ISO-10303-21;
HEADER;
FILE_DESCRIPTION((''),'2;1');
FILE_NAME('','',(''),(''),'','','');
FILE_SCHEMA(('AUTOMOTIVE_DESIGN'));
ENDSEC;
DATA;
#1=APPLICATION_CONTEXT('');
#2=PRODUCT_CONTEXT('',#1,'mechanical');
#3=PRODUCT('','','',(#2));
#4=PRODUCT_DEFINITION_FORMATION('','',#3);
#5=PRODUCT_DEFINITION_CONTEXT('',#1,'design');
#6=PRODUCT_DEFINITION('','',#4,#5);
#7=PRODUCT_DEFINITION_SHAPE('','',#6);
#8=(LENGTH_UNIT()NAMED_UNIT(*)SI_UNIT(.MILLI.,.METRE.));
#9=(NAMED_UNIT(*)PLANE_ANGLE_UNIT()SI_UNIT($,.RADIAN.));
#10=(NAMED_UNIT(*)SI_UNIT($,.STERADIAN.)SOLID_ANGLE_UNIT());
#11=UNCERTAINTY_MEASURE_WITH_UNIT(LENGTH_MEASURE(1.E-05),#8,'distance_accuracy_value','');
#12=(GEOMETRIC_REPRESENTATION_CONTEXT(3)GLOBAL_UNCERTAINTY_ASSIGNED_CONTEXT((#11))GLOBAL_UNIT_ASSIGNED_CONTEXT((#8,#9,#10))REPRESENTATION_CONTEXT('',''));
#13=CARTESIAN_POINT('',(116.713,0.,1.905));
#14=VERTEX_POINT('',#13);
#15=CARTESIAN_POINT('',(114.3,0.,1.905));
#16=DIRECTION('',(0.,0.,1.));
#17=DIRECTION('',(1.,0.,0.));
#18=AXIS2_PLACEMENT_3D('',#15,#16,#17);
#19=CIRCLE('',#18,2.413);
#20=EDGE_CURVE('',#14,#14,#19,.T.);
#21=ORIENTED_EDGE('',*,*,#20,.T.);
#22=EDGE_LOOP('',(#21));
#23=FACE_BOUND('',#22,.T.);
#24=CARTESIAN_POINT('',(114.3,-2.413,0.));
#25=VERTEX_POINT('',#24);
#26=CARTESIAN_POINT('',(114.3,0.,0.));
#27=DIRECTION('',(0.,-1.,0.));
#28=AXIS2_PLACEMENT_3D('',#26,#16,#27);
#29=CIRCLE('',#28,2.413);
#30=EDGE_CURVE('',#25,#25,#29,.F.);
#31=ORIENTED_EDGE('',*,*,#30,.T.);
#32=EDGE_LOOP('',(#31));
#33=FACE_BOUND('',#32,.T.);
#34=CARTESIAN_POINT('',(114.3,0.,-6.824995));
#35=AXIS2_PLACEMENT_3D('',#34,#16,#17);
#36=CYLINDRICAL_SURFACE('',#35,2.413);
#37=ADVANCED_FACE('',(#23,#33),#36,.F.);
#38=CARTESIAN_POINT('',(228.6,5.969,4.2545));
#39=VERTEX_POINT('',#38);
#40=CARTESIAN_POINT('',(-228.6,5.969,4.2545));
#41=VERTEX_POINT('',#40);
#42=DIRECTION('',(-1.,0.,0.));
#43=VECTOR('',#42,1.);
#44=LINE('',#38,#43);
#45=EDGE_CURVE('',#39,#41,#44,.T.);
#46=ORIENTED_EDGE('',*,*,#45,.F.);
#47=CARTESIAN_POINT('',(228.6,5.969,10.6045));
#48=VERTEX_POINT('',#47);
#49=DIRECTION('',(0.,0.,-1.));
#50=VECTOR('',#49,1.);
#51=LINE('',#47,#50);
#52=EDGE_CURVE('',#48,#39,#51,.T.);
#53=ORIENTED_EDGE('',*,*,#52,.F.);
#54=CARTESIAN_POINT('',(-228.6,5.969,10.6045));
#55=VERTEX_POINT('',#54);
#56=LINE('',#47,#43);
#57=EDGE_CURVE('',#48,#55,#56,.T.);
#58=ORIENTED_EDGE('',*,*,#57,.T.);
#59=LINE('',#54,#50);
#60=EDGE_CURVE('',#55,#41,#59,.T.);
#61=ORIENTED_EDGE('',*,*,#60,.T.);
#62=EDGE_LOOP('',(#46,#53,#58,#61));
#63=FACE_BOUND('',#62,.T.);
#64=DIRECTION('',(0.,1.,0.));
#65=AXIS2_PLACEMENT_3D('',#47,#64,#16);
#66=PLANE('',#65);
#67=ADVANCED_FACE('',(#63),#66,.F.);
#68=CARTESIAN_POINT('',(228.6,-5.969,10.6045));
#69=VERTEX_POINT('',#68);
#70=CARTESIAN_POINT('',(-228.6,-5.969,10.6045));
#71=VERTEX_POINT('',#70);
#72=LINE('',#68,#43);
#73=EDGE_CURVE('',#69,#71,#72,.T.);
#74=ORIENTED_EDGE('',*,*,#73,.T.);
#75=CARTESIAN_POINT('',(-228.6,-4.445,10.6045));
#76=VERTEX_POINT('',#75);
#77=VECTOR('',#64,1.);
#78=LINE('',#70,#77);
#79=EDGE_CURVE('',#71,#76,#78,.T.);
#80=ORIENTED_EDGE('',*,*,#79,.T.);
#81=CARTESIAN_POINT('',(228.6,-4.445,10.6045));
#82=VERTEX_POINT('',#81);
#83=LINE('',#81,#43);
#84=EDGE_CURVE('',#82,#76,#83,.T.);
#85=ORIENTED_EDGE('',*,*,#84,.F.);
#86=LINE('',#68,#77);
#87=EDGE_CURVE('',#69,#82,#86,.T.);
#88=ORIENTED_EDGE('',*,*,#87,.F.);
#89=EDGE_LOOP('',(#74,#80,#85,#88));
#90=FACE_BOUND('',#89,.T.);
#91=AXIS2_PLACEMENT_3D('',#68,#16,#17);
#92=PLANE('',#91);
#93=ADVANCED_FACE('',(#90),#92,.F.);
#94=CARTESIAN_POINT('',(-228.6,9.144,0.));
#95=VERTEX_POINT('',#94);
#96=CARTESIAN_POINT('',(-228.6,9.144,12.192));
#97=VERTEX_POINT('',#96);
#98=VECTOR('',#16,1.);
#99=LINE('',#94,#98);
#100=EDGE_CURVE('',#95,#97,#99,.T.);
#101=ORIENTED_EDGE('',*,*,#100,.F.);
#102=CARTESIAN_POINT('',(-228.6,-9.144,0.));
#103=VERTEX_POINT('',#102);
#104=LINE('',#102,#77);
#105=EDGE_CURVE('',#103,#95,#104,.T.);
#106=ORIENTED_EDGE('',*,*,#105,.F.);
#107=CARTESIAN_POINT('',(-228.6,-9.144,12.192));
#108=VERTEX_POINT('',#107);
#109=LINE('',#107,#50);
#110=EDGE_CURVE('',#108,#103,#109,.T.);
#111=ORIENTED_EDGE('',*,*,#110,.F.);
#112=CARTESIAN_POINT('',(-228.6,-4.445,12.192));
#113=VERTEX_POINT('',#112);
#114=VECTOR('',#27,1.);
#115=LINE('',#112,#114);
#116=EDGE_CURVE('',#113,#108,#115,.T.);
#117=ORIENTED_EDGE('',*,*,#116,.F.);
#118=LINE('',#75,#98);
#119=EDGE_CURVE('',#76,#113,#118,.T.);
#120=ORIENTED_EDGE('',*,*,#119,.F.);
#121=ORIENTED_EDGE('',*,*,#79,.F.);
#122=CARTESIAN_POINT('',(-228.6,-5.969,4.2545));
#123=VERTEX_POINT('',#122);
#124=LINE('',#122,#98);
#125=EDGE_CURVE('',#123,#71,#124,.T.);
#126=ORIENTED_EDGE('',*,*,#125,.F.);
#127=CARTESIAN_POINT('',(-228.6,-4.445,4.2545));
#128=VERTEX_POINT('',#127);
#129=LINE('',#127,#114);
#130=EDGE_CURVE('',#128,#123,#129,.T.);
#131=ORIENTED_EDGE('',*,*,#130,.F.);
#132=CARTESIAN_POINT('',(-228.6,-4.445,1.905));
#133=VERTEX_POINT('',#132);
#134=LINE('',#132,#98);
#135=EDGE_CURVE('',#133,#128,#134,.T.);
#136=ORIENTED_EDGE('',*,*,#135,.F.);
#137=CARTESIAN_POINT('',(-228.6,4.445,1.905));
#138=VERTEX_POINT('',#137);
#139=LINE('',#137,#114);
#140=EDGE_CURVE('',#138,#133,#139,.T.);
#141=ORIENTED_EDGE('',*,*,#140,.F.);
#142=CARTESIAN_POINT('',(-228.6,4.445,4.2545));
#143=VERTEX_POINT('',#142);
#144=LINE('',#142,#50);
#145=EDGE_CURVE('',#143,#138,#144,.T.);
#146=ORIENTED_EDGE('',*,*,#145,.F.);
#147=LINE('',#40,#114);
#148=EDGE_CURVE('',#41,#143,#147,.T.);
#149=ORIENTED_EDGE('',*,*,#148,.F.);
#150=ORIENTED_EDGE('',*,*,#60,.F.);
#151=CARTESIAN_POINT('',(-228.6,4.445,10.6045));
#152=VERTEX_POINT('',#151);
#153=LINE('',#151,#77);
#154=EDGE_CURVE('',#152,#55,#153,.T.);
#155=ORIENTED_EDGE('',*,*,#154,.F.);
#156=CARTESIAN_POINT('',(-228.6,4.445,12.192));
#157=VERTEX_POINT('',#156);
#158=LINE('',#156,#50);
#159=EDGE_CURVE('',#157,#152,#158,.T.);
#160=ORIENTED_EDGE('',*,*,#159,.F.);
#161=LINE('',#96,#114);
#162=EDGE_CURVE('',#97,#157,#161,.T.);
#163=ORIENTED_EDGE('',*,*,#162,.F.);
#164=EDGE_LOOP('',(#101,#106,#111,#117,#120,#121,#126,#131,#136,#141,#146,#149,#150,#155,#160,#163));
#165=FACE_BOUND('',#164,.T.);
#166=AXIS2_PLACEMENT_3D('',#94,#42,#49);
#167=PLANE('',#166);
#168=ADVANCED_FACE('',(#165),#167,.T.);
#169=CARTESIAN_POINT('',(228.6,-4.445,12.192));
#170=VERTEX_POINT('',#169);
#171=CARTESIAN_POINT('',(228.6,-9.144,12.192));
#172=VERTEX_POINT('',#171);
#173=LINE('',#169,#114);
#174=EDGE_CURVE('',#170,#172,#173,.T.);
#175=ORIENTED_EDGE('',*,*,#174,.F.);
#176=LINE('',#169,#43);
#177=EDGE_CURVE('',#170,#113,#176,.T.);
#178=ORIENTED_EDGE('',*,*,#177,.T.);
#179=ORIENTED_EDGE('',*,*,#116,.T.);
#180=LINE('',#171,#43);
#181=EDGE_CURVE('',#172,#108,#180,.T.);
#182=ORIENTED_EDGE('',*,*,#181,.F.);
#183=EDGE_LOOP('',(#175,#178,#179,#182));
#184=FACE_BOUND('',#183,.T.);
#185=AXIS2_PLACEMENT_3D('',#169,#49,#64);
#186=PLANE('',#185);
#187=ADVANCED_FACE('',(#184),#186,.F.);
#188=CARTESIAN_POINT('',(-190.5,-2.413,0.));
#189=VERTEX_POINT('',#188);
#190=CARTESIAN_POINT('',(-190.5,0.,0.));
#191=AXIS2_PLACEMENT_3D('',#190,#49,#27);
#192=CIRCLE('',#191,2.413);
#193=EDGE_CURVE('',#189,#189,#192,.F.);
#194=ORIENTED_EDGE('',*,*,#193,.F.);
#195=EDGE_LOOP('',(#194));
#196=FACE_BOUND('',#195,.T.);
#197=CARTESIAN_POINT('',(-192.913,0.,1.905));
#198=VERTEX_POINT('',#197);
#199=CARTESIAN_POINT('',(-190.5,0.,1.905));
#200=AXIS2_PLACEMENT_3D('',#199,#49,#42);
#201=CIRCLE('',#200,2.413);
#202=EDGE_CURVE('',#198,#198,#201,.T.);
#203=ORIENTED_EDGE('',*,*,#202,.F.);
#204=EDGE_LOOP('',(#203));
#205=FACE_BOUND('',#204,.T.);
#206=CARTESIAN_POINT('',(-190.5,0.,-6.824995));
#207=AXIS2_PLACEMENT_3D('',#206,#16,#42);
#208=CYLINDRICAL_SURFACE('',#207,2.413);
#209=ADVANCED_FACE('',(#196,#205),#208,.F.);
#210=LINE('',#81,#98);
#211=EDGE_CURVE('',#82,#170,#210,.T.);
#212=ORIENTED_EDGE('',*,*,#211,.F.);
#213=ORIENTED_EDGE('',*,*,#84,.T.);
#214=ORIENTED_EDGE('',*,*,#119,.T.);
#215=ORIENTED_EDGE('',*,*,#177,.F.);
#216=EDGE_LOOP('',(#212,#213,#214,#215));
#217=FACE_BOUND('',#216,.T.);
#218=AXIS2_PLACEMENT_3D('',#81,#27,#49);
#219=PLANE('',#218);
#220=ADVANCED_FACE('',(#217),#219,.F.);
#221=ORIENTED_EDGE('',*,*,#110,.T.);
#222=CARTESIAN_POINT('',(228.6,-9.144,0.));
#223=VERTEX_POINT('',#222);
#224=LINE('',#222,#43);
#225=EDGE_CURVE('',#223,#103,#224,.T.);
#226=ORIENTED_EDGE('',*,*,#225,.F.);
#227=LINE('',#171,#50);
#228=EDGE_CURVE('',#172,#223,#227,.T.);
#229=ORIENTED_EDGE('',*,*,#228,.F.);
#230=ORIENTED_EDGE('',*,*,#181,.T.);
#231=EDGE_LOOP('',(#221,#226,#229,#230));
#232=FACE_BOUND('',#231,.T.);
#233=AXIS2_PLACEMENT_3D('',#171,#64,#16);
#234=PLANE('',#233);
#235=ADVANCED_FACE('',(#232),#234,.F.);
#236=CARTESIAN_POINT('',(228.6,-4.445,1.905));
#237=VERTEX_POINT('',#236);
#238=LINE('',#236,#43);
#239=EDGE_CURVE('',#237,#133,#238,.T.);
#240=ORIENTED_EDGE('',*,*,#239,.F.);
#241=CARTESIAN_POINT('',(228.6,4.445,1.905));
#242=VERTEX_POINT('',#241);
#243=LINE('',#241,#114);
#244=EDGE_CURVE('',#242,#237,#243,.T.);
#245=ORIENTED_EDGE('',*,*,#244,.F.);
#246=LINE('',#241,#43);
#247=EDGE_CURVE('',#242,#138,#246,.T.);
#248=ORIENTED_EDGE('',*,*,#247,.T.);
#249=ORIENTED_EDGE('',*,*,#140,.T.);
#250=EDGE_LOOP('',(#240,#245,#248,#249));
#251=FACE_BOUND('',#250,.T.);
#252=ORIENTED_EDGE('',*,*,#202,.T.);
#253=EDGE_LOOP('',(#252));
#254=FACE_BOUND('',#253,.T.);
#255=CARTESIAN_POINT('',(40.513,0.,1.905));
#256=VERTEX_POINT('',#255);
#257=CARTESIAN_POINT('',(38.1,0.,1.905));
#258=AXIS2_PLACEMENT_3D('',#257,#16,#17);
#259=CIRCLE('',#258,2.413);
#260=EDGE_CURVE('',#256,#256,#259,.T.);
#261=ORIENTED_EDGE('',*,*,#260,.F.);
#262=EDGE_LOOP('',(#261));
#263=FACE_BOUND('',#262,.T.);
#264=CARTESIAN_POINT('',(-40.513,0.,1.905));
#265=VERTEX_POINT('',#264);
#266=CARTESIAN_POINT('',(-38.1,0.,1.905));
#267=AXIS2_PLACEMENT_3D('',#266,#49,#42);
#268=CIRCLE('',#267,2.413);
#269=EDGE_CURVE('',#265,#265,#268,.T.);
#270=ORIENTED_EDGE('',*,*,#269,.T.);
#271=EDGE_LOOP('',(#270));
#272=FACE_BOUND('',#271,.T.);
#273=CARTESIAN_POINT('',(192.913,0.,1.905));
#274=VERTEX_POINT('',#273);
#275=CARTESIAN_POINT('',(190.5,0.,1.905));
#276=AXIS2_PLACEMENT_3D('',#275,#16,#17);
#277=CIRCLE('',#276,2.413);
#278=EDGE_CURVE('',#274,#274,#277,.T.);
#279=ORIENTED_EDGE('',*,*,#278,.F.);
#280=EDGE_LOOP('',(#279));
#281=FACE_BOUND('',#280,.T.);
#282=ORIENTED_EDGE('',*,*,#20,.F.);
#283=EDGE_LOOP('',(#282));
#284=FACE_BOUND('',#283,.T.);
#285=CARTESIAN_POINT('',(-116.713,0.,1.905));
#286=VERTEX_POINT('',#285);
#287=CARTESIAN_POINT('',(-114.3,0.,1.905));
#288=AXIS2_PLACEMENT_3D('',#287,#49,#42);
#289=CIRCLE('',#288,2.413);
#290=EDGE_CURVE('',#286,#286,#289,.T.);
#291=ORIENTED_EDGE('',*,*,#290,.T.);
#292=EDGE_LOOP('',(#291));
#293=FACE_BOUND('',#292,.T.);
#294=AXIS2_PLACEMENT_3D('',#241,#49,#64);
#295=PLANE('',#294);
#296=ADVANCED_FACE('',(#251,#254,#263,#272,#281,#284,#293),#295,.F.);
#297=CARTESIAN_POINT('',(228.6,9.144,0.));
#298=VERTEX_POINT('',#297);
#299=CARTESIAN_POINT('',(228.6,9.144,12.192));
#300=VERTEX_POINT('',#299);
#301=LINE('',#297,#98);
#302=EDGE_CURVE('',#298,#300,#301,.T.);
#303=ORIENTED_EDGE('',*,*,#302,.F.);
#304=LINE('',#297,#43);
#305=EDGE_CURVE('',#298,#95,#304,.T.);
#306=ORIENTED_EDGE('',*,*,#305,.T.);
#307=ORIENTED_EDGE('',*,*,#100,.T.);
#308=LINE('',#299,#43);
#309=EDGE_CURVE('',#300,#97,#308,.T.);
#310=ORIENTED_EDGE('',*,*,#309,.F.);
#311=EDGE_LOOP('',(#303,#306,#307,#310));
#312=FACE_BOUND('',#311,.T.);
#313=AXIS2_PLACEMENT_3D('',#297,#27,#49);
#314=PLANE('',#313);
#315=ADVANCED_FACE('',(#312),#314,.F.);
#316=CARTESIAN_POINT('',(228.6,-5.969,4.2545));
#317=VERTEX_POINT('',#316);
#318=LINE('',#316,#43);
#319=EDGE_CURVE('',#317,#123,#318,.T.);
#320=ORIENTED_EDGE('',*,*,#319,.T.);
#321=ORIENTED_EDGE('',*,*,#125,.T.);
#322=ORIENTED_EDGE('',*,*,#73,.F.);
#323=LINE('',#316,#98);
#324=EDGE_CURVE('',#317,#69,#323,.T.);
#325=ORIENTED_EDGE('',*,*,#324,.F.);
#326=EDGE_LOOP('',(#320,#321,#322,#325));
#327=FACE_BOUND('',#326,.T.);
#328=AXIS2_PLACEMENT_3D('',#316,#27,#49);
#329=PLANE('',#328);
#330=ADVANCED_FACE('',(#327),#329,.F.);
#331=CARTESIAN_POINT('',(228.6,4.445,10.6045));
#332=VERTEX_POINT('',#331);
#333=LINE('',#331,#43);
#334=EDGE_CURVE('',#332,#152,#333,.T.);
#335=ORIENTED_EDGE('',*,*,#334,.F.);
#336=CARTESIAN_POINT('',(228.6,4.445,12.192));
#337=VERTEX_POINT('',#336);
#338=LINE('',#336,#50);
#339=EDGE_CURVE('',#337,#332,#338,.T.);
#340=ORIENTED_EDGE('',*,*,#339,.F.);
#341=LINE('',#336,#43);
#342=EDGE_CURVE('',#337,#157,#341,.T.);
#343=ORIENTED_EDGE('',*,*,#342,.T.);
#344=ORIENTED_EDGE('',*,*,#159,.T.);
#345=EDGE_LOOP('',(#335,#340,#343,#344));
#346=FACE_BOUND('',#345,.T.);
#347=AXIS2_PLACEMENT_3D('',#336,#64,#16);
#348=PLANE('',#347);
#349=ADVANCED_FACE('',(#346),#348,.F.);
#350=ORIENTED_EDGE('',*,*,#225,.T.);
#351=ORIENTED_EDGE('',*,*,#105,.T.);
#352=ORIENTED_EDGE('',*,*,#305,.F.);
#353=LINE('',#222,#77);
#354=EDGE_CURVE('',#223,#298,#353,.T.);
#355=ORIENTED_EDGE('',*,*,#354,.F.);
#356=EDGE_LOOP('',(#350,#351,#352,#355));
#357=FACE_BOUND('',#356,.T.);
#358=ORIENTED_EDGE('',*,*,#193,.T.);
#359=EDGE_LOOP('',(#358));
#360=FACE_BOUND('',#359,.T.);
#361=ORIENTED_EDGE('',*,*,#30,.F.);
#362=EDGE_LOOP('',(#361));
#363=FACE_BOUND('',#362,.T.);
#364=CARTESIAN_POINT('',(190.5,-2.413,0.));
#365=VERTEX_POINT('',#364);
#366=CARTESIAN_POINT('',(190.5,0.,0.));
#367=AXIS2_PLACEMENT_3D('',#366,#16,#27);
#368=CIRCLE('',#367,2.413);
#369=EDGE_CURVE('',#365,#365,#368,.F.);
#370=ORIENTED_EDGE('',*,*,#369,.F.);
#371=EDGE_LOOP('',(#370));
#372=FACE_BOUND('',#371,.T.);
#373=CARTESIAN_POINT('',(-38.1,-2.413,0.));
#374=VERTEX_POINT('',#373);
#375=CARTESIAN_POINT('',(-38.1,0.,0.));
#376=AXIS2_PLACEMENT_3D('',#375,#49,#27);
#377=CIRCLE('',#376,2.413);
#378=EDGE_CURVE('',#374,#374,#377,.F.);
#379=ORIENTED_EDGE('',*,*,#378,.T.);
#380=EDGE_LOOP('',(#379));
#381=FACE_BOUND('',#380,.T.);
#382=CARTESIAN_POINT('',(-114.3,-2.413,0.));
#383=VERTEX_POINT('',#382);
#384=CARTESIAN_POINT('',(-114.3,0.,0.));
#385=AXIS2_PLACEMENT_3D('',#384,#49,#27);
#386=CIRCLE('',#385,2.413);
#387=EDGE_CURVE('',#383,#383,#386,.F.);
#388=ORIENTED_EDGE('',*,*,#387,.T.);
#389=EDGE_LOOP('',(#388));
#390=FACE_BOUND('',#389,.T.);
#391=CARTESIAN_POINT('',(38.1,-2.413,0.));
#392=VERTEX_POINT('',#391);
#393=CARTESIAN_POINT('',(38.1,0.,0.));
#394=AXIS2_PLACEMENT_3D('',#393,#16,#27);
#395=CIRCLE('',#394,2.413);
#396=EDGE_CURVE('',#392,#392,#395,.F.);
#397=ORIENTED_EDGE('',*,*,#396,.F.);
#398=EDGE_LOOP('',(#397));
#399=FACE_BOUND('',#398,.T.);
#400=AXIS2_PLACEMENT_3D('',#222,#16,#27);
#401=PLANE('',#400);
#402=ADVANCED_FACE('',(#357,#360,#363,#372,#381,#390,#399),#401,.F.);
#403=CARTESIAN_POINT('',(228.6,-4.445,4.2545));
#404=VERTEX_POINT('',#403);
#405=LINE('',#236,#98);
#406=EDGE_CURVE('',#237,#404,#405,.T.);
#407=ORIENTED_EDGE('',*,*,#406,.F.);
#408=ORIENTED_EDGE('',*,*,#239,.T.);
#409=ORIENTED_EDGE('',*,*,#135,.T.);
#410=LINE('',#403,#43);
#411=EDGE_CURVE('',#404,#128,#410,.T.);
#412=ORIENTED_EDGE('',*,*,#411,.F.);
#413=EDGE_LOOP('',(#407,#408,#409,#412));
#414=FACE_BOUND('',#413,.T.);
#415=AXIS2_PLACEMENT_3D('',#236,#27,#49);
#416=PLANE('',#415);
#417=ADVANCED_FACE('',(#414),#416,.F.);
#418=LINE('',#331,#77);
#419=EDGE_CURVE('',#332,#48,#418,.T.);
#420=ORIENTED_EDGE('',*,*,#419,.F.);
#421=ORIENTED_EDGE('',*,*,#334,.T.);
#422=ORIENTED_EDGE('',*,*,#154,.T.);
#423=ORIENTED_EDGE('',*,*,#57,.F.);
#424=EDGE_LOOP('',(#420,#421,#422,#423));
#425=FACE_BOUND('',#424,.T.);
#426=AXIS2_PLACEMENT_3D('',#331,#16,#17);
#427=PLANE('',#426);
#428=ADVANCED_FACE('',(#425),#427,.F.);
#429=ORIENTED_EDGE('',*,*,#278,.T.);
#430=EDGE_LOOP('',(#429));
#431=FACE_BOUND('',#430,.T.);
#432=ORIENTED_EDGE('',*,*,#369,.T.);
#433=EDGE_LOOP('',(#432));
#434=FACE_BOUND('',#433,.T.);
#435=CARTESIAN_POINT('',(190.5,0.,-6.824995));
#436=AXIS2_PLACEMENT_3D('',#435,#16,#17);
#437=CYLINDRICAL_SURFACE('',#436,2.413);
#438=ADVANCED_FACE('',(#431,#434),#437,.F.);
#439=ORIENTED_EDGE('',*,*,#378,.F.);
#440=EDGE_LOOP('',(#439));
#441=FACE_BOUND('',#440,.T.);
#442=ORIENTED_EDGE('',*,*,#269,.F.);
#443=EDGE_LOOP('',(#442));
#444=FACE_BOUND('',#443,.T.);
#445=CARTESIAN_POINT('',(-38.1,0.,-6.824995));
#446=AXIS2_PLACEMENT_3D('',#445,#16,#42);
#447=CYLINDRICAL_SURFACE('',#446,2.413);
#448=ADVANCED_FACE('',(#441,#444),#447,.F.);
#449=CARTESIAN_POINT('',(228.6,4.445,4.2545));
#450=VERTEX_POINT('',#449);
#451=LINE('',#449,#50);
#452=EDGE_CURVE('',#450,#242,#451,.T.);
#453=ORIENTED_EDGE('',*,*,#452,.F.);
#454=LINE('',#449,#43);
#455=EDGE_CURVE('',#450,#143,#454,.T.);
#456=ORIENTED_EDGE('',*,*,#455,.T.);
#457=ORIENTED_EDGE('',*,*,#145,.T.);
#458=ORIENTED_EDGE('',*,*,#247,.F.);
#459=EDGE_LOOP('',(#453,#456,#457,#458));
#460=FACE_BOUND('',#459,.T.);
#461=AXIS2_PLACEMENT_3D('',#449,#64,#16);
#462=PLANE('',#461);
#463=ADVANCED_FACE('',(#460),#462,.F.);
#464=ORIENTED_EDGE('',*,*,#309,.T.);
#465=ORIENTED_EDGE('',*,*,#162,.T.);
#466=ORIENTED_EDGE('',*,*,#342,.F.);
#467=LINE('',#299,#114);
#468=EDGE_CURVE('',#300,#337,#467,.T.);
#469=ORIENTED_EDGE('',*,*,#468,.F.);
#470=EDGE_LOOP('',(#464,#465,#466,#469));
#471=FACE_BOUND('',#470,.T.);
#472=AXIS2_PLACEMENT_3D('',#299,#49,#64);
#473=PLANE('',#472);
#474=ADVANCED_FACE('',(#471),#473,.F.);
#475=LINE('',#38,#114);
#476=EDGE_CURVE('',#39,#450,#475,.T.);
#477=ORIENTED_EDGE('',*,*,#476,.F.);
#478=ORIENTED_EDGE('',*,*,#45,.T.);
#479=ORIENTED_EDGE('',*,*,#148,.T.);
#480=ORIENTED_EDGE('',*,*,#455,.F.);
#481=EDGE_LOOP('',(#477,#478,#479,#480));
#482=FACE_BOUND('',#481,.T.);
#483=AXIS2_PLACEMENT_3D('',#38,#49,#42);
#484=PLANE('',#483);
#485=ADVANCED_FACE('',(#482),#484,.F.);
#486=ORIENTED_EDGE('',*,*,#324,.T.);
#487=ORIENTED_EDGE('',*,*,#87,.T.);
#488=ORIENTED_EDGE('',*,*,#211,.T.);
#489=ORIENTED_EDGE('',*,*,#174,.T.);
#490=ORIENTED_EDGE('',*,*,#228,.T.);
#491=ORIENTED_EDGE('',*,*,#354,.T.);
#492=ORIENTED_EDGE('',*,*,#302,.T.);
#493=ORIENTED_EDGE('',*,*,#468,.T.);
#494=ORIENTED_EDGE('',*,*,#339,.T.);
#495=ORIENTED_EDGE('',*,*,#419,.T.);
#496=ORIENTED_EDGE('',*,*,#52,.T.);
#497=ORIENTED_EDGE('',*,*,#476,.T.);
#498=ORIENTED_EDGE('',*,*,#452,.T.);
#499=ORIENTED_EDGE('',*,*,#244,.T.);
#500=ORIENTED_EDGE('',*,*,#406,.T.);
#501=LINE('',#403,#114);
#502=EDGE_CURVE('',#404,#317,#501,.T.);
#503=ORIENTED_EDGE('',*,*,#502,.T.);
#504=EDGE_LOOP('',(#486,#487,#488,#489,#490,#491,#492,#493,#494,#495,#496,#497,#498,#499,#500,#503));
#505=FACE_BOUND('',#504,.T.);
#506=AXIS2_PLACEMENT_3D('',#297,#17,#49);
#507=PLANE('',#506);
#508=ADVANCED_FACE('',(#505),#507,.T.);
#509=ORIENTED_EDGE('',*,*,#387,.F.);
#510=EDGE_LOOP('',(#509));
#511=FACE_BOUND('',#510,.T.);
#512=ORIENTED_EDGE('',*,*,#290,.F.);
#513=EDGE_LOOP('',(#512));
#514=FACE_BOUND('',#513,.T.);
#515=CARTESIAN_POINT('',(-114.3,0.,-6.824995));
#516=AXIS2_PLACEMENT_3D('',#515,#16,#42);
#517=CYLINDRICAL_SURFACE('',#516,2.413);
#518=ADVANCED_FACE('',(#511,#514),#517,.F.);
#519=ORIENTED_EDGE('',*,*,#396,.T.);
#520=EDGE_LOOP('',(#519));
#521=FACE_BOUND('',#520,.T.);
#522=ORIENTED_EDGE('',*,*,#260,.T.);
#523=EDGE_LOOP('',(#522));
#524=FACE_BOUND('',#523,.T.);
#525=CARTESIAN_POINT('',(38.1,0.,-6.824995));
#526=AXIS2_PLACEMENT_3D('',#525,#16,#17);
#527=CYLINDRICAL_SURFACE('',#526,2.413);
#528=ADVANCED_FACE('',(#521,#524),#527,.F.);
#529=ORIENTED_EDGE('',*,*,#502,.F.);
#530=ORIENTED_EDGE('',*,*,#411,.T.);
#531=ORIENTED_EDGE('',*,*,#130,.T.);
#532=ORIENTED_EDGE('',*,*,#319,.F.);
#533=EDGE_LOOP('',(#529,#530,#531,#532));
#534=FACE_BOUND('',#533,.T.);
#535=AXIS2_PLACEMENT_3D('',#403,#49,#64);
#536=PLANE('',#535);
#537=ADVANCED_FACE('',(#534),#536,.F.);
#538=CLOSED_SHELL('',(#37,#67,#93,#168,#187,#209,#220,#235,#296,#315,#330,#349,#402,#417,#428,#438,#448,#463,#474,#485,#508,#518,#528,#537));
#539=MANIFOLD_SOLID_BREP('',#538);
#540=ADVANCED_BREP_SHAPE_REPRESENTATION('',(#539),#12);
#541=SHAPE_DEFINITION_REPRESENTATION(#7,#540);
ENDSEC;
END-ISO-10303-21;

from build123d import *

# Parameters (mm, degrees)
BOSS_EXTRUDE1_DEPTH = 228.6
SKETCH3_R           = 2.413
CUT_EXTRUDE1_DEPTH  = 1.905
LPATTERN1_COUNT     = 3
LPATTERN1_PITCH     = 76.2


with BuildPart() as part:
    # Sketch2 → Boss-Extrude1 (new, symmetric)
    with BuildSketch(Plane(origin=(0, 0, 0), x_dir=(0, 0, -1), z_dir=(1, 0, 0))):
        Polygon((0, 9.144), (-12.192, 9.144), (-12.192, 4.445), (-10.6045, 4.445), (-10.6045, 5.969), (-4.2545, 5.969), (-4.2545, 4.445), (-1.905, 4.445), (-1.905, -4.445), (-4.2545, -4.445), (-4.2545, -5.969), (-10.6045, -5.969), (-10.6045, -4.445), (-12.192, -4.445), (-12.192, -9.144), (0, -9.144), align=None)
    extrude(amount=BOSS_EXTRUDE1_DEPTH, both=True)

    # Sketch3 → Cut-Extrude1 (cut)
    with BuildSketch(Plane.XY.offset(1.905)):
        with Locations((38.1, 0)):
            Circle(SKETCH3_R)
    cut_extrude1 = extrude(amount=-CUT_EXTRUDE1_DEPTH, mode=Mode.SUBTRACT)

    # LPattern1: Cut-Extrude1 ×3
    with Locations(*[(i * LPATTERN1_PITCH, 0, 0) for i in range(1, LPATTERN1_COUNT)]):
        add(cut_extrude1, mode=Mode.SUBTRACT)

    # SurfaceCut1
    split(bisect_by=Plane(origin=(0, 0, 0), x_dir=(0, 0, -1), z_dir=(1, 0, 0)), keep=Keep.TOP)

    # Mirror1: part across plane


with BuildPart() as part_1:
    add(part.part)
    add(part.part.mirror(Plane(origin=(0, 0, 0), x_dir=(0, 0, 1), z_dir=(1, 0, 0))))


solid = part_1.part
